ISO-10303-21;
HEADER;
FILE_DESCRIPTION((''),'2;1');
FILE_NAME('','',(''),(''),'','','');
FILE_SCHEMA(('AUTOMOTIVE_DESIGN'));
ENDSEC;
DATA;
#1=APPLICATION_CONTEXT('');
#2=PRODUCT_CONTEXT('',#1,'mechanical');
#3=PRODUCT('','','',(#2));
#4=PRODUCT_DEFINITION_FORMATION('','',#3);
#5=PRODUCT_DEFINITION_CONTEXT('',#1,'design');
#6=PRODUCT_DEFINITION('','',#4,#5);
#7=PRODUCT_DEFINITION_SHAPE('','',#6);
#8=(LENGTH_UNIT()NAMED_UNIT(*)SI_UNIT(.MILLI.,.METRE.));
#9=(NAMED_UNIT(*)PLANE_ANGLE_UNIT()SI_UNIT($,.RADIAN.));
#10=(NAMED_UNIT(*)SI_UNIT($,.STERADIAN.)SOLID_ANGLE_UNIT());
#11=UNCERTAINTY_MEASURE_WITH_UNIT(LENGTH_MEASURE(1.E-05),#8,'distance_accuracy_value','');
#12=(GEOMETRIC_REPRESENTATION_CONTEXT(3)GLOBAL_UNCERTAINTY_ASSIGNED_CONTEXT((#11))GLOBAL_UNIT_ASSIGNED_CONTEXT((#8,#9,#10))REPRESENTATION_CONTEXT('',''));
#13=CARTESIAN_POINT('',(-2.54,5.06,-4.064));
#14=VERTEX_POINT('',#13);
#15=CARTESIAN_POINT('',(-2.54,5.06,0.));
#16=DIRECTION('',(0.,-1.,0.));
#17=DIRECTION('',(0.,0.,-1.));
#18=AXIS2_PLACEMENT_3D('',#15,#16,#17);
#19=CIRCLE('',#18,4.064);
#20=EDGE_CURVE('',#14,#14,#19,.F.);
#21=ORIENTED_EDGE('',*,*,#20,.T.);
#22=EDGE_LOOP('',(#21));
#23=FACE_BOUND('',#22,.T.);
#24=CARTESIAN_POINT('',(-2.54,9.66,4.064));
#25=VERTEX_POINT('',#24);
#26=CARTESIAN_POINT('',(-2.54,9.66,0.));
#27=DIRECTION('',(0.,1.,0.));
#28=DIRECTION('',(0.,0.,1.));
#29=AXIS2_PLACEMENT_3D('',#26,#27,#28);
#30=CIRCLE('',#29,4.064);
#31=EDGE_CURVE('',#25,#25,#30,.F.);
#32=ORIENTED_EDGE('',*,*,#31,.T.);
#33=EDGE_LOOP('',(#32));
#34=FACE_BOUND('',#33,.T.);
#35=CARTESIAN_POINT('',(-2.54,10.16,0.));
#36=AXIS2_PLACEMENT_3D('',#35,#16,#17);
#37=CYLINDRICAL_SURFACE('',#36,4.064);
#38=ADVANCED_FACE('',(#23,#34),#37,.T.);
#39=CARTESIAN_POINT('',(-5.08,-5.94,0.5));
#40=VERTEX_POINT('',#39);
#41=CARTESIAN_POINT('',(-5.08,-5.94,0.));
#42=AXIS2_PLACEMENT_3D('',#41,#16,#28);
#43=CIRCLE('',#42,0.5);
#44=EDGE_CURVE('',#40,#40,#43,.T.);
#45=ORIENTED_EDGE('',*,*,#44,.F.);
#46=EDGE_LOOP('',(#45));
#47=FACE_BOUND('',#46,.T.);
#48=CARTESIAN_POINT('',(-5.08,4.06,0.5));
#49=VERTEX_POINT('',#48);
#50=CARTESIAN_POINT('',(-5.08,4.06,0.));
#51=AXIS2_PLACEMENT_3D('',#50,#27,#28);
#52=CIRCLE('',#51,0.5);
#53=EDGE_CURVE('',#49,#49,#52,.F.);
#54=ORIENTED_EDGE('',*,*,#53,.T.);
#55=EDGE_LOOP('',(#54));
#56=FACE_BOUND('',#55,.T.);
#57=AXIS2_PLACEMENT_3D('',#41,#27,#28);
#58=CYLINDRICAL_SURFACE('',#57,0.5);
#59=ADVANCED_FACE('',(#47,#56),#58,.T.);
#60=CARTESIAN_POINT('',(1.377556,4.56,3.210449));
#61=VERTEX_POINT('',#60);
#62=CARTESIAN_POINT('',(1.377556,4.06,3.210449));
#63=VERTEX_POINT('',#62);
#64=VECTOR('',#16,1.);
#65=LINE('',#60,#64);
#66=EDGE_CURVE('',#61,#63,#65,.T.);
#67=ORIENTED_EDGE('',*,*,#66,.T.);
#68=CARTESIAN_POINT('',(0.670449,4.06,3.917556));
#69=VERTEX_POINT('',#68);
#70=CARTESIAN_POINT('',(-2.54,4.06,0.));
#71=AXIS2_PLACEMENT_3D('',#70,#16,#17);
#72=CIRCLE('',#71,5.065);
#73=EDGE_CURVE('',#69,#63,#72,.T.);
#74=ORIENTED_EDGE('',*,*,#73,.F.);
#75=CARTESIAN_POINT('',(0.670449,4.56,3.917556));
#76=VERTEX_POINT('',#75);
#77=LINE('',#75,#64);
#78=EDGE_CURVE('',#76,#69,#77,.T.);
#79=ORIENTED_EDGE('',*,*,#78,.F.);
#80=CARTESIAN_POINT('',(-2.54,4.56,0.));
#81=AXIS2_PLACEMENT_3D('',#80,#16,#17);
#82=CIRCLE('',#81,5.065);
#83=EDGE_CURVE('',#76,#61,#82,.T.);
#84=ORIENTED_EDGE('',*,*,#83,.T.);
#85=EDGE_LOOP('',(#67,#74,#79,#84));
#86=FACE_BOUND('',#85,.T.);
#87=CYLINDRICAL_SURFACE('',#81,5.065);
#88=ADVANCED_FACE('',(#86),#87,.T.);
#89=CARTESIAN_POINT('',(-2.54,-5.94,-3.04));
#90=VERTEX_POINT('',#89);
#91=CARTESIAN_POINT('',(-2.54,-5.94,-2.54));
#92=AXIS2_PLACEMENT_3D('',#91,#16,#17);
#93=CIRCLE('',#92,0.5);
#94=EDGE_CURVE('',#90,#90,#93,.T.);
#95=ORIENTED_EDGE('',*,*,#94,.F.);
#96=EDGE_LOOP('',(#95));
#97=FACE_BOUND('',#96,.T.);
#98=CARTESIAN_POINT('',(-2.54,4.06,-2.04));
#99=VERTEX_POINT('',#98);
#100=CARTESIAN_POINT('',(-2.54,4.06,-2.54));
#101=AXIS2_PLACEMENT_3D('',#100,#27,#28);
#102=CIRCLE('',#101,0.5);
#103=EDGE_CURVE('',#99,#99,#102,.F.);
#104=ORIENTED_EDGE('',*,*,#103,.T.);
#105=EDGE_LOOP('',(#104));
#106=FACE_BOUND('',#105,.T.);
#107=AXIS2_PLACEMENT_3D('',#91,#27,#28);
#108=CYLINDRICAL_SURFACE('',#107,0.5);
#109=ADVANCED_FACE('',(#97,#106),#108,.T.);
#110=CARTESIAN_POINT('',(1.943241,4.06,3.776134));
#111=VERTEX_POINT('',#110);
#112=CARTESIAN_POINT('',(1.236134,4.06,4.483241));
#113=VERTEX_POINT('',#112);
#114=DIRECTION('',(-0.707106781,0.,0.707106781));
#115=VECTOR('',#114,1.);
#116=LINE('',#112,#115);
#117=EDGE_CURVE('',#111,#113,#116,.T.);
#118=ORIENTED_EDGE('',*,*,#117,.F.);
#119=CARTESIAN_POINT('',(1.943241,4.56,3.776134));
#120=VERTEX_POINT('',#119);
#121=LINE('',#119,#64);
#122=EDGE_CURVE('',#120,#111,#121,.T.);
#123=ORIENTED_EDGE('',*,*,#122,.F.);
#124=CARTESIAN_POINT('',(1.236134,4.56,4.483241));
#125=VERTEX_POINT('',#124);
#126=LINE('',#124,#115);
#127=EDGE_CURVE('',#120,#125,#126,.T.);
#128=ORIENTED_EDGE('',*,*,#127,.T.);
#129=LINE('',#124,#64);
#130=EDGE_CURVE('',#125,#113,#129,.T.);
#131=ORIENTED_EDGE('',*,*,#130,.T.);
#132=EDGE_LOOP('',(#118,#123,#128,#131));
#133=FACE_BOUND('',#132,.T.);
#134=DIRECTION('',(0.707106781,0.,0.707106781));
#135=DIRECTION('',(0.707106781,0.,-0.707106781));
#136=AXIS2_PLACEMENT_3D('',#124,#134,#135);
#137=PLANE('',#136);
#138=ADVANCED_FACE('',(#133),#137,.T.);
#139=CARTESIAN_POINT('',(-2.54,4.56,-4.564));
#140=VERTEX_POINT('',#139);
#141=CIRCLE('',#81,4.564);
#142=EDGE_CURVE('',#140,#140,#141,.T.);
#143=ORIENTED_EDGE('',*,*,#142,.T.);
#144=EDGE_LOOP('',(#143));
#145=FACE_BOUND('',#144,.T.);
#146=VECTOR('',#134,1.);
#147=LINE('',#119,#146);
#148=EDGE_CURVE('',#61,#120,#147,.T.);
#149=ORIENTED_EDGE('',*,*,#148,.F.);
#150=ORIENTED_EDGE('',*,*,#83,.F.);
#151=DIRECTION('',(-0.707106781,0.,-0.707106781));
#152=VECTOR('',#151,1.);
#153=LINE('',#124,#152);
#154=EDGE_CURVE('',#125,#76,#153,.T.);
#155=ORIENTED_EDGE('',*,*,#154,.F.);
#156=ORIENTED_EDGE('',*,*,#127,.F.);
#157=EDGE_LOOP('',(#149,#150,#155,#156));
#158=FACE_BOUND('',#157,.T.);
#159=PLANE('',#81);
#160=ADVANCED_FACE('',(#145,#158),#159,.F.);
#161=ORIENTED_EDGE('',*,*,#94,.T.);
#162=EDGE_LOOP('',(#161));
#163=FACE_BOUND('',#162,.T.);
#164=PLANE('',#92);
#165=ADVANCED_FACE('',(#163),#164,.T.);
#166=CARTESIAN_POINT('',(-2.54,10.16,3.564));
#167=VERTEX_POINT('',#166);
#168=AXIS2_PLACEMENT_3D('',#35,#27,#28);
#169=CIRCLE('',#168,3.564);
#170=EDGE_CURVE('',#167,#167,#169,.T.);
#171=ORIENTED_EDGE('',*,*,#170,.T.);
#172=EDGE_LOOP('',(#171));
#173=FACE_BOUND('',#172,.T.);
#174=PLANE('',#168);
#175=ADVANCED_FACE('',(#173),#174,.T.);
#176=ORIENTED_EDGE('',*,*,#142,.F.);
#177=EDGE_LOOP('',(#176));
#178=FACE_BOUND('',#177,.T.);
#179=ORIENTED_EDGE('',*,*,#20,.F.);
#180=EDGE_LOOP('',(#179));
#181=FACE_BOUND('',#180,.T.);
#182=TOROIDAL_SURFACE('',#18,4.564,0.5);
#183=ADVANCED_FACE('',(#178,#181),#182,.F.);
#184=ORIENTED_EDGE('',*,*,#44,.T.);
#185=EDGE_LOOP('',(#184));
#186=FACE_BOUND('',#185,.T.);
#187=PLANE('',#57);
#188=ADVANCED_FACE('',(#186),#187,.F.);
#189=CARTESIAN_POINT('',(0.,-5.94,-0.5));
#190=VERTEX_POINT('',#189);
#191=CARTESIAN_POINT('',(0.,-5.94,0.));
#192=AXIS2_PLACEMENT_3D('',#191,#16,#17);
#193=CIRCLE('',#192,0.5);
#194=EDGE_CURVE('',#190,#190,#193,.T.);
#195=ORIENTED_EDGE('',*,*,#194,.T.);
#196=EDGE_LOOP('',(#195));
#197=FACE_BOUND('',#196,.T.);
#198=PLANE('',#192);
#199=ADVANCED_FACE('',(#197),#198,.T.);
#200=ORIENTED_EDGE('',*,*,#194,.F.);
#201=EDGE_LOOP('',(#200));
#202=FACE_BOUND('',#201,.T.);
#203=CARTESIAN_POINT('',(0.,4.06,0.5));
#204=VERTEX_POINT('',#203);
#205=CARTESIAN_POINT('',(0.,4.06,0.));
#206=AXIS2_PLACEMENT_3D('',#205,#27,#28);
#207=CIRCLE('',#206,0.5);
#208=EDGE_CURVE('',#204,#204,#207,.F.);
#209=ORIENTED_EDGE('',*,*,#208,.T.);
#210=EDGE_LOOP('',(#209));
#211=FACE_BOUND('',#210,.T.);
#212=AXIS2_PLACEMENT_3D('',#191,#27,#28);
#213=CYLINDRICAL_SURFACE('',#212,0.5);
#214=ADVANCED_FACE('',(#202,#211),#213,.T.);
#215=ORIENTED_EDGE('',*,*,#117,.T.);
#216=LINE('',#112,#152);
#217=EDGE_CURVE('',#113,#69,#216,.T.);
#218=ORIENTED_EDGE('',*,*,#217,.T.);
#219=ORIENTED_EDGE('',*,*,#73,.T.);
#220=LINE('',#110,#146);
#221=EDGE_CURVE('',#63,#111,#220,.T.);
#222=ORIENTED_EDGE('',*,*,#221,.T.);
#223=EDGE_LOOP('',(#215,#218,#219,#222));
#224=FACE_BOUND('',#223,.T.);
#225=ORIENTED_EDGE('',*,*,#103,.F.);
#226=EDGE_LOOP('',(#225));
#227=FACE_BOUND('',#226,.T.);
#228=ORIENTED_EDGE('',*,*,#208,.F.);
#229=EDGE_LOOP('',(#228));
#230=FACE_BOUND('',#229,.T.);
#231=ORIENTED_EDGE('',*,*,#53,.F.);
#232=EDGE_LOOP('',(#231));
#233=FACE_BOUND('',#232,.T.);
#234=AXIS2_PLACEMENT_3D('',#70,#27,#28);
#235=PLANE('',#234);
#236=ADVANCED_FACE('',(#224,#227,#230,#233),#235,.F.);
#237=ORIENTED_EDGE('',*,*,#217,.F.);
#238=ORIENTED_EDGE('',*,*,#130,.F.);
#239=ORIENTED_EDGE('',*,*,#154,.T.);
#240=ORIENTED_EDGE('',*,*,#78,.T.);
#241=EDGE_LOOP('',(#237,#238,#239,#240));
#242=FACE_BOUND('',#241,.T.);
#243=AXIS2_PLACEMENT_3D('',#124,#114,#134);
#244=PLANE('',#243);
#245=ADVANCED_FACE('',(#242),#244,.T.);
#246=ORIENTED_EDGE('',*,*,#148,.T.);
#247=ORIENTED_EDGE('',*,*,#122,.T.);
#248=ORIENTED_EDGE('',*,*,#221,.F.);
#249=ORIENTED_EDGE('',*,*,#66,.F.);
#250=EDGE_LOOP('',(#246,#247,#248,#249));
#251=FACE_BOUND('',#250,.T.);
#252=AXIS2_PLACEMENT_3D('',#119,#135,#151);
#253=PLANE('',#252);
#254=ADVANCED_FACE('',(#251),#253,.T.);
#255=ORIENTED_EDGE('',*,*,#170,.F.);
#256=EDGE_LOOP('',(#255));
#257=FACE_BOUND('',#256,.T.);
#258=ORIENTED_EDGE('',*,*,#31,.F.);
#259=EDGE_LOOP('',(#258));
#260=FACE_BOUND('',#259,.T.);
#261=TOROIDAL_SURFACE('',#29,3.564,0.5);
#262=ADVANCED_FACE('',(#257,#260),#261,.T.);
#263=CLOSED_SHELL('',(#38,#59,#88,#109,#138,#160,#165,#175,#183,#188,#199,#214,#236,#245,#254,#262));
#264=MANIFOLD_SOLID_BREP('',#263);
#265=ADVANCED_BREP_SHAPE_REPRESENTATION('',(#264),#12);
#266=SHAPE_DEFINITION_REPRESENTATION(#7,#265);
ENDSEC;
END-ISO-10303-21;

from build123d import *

# Parameters (mm, degrees)
SKETCH_R   = 4.064
BODY_DEPTH = 6.1
SKETCH1_R  = 0.5
LEGS_DEPTH = 10
LIP_DEPTH  = 0.5
FILLET2_R  = 0.5


with BuildPart() as part:
    # sketch → Body (new body)
    with BuildSketch(Plane(origin=(0, 4.06, 0), x_dir=(1, 0, 0), z_dir=(0, 1, 0))):
        with Locations((-2.54, 0)):
            Circle(SKETCH_R)
    extrude(amount=BODY_DEPTH)

    # Sketch1 → Legs (add)
    with BuildSketch(Plane.XZ.offset(-4.06)):
        Circle(SKETCH1_R)
        with Locations((-2.54, -2.54)):
            Circle(SKETCH1_R)
        with Locations((-5.08, 0)):
            Circle(SKETCH1_R)
    extrude(amount=LEGS_DEPTH)

    # Sketch3 → Lip (add)
    with BuildSketch(Plane.XZ.offset(-4.06)):
        with BuildLine():
            Line((1.236134349, 4.48324113), (1.94324113, 3.776134349))
            Line((1.94324113, 3.776134349), (1.377555705, 3.210448924))
            ThreePointArc((1.377555705, 3.210448924), (-6.121495847, -3.581495847), (0.670448924, 3.917555705))
            Line((0.670448924, 3.917555705), (1.236134349, 4.48324113))
        make_face()
    extrude(amount=-LIP_DEPTH)

    # Fillet2
    fillet2_edges = [part.edges().sort_by_distance(p)[0] for p in [
        (-6.604, 4.56, 0),
        (-6.604, 10.16, 0),
    ]]
    fillet(fillet2_edges, radius=FILLET2_R)


solid = part.part
